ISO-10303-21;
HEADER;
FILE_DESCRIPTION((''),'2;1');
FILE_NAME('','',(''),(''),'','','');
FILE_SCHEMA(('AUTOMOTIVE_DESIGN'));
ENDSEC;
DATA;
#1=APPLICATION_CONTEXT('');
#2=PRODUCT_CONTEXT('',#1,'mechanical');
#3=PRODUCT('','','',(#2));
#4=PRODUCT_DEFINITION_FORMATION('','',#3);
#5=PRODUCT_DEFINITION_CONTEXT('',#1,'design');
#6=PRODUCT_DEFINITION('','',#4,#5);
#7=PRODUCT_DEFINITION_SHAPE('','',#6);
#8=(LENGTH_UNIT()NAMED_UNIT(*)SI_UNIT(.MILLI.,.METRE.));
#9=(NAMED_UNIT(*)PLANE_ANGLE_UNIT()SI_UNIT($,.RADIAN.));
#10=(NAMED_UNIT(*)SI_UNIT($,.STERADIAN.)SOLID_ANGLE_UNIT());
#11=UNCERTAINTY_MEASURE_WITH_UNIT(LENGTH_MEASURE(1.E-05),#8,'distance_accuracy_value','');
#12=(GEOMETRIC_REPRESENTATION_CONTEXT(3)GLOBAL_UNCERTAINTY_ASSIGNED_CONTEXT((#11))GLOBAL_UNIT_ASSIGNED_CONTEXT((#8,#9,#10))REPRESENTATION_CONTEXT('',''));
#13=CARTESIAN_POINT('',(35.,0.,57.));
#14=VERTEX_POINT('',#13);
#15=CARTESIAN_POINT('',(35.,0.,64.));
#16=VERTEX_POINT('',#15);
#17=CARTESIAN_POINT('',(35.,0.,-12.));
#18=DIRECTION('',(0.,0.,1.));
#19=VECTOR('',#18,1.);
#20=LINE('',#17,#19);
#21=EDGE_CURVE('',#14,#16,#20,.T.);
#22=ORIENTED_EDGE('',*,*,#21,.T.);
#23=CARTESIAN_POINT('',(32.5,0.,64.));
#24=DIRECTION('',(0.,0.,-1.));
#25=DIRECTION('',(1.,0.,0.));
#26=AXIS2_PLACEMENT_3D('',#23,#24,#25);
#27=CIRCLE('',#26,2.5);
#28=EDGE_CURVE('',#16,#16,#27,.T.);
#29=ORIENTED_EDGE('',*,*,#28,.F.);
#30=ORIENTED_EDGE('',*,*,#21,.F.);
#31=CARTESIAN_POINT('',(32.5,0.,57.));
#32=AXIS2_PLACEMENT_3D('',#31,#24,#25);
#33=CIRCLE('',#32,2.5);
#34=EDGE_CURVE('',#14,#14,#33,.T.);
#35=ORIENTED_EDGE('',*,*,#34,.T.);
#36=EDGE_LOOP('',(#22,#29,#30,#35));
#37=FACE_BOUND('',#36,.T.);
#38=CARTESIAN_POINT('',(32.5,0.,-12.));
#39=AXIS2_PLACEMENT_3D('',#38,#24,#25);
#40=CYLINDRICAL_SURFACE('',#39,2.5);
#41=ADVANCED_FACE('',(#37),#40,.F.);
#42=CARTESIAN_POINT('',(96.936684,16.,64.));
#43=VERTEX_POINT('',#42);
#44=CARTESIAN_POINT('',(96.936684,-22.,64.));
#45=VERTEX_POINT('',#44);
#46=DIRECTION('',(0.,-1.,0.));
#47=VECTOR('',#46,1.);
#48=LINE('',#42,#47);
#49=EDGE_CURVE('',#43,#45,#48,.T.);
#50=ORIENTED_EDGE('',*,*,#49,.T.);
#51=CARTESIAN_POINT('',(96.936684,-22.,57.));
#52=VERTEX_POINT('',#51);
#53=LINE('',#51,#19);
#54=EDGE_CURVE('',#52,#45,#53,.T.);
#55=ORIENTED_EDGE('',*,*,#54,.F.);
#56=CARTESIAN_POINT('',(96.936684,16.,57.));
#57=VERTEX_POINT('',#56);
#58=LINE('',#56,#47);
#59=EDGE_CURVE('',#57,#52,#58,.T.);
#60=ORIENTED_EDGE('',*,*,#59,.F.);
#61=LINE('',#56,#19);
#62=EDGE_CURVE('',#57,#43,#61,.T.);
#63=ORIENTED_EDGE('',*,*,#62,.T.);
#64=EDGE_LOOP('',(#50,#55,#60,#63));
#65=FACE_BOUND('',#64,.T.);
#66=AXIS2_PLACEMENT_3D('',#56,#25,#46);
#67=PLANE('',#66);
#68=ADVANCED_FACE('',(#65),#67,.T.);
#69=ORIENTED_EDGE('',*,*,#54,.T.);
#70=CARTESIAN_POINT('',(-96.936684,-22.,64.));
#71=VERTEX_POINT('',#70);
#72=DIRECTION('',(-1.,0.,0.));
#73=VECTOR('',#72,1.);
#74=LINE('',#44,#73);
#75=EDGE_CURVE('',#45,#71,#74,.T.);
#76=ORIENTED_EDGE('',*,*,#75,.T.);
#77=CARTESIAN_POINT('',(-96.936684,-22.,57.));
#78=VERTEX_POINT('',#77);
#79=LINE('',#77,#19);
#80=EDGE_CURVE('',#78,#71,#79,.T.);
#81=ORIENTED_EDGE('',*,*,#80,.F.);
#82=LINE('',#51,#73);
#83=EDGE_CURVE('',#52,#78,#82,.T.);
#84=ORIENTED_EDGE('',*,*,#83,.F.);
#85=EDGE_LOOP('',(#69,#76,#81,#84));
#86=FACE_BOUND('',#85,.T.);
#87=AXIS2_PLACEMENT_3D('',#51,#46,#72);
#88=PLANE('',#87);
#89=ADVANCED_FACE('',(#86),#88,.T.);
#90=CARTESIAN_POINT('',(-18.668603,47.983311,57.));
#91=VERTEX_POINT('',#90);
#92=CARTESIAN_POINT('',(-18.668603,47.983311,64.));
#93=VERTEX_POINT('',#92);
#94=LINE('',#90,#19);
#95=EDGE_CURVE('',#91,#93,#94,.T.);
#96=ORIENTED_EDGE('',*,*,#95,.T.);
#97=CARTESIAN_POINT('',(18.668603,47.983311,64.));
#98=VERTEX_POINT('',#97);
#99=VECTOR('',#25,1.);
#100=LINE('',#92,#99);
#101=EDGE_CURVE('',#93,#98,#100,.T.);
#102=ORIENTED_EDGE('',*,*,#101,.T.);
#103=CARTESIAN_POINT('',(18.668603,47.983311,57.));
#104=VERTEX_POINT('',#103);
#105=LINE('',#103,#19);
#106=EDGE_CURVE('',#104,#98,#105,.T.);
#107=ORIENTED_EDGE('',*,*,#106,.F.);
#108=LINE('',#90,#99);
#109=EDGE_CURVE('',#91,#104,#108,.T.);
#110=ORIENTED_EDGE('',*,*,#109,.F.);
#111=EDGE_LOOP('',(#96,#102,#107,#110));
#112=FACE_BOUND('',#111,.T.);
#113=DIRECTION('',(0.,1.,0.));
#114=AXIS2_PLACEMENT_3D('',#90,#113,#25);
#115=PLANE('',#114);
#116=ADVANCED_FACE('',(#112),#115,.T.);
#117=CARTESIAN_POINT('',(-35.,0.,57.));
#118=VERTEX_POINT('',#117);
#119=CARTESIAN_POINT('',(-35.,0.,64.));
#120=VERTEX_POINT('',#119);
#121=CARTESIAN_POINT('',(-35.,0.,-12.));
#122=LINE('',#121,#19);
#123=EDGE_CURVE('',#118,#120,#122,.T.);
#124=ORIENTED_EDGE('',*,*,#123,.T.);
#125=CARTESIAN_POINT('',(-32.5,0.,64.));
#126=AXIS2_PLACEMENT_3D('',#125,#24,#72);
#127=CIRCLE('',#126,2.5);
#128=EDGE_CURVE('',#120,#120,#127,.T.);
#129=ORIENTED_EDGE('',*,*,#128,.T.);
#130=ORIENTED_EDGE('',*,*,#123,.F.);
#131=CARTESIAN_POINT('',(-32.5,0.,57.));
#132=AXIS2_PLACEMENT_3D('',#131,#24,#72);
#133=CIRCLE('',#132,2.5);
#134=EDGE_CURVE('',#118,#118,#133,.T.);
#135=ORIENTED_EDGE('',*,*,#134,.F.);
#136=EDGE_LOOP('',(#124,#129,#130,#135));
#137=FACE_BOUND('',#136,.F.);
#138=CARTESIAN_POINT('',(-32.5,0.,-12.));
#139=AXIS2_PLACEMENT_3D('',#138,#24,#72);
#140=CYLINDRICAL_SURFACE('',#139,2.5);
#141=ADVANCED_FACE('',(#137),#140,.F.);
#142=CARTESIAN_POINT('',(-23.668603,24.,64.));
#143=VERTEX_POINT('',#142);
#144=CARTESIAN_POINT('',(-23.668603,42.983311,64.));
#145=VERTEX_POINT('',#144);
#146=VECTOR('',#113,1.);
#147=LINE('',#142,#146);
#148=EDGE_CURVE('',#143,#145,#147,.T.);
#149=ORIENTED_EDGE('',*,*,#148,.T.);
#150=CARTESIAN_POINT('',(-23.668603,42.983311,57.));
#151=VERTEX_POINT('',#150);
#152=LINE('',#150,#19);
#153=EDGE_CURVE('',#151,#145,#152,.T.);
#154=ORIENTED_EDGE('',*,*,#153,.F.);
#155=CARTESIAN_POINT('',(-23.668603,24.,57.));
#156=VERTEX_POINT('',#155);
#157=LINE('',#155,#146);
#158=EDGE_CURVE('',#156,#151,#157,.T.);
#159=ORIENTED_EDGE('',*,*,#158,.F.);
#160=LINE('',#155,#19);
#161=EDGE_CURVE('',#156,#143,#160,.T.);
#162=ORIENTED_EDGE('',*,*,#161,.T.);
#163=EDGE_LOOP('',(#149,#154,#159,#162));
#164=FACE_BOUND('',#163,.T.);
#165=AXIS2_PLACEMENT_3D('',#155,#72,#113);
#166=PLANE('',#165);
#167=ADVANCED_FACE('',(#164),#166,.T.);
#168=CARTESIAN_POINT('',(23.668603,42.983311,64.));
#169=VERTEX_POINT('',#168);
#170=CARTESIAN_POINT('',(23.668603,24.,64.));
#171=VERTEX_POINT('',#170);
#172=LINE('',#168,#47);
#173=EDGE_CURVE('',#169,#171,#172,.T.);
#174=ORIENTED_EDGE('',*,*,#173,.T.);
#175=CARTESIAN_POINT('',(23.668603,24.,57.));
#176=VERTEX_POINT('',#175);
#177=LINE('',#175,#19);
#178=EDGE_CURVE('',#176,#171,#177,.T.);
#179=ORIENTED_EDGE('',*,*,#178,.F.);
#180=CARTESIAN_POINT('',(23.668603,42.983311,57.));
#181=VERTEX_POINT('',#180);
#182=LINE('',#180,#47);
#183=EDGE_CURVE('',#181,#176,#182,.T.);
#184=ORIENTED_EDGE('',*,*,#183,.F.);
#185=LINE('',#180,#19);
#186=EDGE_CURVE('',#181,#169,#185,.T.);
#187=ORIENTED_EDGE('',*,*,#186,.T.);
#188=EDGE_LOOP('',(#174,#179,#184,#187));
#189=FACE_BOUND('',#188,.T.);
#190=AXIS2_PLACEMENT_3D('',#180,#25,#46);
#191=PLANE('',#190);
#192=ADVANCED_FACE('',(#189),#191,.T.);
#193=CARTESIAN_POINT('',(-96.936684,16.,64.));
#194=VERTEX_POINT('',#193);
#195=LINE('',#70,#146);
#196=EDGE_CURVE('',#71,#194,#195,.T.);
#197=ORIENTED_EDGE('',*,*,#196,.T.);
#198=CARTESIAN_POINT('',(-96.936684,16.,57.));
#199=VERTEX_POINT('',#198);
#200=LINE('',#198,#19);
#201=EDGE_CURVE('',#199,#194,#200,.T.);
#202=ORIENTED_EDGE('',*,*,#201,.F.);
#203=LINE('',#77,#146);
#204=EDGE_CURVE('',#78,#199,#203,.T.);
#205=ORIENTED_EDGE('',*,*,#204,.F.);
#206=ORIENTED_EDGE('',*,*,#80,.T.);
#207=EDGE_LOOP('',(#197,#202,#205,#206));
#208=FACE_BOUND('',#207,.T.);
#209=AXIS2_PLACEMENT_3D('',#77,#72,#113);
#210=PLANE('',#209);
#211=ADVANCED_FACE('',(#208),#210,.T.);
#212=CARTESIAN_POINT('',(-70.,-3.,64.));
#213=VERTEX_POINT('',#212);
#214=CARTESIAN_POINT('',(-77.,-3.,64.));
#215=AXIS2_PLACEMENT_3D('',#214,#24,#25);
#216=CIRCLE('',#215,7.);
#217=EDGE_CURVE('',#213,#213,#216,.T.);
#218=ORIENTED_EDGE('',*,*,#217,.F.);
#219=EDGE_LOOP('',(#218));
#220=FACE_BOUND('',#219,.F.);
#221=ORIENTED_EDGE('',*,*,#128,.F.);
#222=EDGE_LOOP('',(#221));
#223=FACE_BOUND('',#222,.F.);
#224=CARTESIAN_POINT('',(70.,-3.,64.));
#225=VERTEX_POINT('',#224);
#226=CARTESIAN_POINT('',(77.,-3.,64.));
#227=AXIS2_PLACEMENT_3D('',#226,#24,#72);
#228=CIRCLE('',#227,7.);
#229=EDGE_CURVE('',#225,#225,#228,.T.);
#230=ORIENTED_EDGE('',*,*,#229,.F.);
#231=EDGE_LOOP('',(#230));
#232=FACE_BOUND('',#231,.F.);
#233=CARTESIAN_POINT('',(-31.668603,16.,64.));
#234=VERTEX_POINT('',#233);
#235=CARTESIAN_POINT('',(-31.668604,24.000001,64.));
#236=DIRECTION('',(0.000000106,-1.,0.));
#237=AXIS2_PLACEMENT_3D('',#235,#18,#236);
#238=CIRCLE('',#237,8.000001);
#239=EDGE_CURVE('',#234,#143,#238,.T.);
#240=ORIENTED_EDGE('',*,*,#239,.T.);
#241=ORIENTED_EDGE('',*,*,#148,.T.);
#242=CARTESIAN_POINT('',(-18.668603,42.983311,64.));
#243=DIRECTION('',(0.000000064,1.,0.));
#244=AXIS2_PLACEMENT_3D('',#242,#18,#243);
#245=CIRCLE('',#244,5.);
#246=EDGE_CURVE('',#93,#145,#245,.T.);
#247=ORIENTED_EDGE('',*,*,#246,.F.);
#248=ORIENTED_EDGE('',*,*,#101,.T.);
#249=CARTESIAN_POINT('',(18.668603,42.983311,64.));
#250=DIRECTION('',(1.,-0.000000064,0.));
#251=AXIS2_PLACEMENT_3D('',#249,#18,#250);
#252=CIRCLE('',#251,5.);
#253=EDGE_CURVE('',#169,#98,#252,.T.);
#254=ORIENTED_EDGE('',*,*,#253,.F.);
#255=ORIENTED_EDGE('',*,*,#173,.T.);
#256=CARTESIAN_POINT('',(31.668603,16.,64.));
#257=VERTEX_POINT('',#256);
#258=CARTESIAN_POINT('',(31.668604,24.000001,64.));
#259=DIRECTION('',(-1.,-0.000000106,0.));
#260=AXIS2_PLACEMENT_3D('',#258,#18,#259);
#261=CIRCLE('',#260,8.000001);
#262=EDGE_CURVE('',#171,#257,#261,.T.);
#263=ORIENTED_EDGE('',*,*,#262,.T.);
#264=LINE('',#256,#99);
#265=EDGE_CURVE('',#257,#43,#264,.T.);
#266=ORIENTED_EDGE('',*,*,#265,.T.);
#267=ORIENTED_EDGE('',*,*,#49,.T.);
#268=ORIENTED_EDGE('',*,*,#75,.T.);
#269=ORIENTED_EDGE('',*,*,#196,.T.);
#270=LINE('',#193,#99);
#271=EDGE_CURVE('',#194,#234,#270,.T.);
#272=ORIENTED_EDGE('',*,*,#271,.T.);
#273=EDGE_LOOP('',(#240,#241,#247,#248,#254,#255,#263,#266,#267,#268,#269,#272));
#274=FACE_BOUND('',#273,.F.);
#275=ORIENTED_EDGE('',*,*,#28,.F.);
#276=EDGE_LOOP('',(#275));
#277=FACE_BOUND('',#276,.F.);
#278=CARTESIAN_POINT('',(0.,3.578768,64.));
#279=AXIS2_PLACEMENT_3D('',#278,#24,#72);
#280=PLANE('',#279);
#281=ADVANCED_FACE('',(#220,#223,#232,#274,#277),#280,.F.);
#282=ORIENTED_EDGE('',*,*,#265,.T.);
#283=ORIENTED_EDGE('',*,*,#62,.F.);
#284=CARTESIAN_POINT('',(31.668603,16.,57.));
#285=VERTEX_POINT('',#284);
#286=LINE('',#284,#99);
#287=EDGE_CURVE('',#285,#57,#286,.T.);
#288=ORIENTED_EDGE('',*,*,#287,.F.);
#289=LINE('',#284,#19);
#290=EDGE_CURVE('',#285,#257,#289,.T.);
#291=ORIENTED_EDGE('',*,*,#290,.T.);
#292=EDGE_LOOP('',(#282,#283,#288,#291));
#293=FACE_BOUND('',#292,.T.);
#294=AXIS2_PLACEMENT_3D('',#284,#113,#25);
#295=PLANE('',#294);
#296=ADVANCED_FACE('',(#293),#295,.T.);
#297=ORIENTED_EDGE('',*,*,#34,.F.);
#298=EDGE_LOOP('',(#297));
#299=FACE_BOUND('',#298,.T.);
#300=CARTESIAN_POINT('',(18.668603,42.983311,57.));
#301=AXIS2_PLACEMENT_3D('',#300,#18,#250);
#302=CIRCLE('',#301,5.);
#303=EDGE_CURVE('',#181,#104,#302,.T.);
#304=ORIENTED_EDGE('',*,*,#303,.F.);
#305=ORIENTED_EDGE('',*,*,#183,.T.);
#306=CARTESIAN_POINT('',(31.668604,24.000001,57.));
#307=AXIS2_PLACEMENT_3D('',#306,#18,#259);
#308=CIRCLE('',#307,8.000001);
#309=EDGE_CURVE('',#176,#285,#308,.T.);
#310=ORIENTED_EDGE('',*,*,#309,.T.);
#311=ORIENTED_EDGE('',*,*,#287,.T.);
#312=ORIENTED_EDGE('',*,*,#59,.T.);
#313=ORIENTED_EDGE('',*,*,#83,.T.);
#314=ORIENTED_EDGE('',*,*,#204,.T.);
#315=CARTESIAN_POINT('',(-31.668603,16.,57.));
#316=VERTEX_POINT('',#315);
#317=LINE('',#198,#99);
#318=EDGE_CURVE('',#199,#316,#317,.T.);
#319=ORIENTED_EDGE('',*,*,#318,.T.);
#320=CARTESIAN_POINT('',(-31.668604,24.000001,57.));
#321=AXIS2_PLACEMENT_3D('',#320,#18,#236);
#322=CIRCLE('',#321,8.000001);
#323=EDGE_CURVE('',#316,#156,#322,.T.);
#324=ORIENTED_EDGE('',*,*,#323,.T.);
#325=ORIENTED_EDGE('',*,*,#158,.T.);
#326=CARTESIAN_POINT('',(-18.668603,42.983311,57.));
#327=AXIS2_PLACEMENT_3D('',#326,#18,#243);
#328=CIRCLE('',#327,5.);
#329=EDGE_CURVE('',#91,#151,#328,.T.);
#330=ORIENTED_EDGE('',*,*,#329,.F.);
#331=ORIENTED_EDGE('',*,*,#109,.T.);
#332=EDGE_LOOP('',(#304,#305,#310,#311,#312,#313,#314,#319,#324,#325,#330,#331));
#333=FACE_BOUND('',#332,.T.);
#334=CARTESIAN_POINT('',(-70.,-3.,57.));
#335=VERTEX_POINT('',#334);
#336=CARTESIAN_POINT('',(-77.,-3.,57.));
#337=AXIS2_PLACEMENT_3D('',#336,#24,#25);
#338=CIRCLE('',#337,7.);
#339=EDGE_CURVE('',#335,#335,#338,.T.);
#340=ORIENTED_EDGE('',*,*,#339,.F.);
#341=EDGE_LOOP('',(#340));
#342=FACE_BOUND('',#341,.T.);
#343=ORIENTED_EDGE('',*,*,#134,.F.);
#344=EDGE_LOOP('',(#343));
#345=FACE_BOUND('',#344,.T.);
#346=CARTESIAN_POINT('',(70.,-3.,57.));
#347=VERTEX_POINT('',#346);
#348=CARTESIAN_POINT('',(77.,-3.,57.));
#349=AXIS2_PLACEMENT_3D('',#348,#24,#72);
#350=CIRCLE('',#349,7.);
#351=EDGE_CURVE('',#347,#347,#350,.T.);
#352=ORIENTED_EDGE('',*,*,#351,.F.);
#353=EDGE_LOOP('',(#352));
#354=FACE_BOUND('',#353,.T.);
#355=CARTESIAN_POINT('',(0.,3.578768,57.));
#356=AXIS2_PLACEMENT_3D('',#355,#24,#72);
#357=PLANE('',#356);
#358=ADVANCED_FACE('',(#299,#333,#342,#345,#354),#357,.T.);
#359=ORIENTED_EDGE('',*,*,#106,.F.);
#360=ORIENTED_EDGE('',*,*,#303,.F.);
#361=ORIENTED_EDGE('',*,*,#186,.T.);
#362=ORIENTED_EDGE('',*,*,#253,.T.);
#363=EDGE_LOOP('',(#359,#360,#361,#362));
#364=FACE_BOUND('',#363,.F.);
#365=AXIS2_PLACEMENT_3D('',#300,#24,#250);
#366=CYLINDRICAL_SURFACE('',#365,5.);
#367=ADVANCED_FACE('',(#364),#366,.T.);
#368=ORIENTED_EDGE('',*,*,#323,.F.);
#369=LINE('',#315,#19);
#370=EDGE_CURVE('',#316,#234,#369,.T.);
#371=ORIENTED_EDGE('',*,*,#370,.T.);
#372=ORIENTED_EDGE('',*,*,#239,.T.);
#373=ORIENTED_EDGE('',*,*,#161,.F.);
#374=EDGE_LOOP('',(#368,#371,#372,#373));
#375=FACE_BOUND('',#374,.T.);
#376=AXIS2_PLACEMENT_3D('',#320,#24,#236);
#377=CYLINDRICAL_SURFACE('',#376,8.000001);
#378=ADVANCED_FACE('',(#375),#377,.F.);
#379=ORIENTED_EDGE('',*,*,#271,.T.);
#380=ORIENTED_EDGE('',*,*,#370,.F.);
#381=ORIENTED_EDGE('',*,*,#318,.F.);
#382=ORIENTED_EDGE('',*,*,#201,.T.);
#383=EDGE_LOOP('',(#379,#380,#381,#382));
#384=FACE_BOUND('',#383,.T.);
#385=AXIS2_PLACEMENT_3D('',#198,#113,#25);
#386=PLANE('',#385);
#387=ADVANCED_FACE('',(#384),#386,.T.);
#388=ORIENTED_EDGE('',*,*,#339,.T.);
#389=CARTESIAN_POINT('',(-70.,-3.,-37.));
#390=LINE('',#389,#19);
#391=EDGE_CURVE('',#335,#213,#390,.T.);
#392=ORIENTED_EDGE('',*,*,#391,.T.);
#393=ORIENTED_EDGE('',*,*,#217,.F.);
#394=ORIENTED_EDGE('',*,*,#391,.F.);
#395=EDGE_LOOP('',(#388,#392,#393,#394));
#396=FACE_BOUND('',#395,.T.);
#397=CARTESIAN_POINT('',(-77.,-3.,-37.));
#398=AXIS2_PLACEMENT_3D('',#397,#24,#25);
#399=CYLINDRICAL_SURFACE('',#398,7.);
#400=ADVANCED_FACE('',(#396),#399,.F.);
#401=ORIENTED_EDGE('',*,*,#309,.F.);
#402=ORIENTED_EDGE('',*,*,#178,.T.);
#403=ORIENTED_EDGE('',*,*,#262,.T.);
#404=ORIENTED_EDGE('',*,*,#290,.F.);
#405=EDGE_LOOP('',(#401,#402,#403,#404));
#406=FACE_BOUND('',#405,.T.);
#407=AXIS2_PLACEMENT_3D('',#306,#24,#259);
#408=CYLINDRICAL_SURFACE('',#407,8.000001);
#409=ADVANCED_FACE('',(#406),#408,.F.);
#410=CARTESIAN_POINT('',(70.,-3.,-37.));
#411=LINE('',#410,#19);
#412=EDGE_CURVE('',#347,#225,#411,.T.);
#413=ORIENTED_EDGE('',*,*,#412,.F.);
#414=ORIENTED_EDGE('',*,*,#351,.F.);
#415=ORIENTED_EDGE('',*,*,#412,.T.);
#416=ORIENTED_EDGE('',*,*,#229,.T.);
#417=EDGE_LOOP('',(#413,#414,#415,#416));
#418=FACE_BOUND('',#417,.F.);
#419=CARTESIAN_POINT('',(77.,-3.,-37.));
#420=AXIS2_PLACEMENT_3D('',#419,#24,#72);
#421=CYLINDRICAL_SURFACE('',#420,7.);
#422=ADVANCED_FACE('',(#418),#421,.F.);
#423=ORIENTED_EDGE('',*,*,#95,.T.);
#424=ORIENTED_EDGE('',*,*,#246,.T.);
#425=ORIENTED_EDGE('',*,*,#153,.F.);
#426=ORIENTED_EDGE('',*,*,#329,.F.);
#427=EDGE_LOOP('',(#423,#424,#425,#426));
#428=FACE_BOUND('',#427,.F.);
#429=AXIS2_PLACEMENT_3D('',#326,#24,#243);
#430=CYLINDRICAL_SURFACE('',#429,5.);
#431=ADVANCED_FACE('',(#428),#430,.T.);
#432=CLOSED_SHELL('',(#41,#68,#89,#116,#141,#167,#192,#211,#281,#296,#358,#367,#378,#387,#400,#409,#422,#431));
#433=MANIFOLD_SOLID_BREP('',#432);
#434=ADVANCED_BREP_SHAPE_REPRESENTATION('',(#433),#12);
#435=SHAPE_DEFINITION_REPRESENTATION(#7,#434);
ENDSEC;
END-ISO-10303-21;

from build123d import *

# Parameters (mm, degrees)
CYLINDER005_R     = 2.5
CYLINDER005_DEPTH = 90
CYLINDER004_R     = 7
CYLINDER004_DEPTH = 150
CYLINDER003_R     = 11
CYLINDER003_DEPTH = 31
PAD010_DEPTH      = 7


with BuildPart() as vis_d:
    # Cylinder005 → Cylinder005 (new body)
    with BuildSketch(Plane(origin=(32.5, 0, -12), x_dir=(1, 0, 0), z_dir=(0, 0, 1))):
        Circle(CYLINDER005_R)
    extrude(amount=CYLINDER005_DEPTH)


with BuildPart() as vis:
    # Part__Mirroring003: instance of vis_d
    add(vis_d.part.mirror(Plane(origin=(0, 0, 0), x_dir=(0, -1, 0), z_dir=(1, 0, 0))))

    # Fusion005: union vis_d
    add(vis_d.part)


with BuildPart() as axe:
    # Cylinder004 → Cylinder004 (new body)
    with BuildSketch(Plane.XY.offset(-50)):
        Circle(CYLINDER004_R)
    extrude(amount=CYLINDER004_DEPTH)


with BuildPart() as clone_of_ball_slider:
    # Cylinder003 → Cylinder003 (new body)
    with BuildSketch(Plane.XY):
        Circle(CYLINDER003_R)
    extrude(amount=CYLINDER003_DEPTH)

    # Fusion003: union axe
    add(axe.part)


with BuildPart() as clone_of_ball_slider_1:
    # Clone017 placement: moved
    add(clone_of_ball_slider.part.moved(Location((-77, -3, 13))))


with BuildPart() as part_mirroring002:
    # Part__Mirroring002: instance of Clone of ball slider
    add(clone_of_ball_slider_1.part.mirror(Plane(origin=(0, 0, 0), x_dir=(0, -1, 0), z_dir=(1, 0, 0))))


with BuildPart() as vis_sliders:
    # Fusion004 base: copy of Clone of ball slider
    add(clone_of_ball_slider_1.part)

    # Fusion004: union Part__Mirroring002
    add(part_mirroring002.part)

    # Fusion006: union vis
    add(vis.part)


with BuildPart() as cut006007:
    # Sketch → Pad010 (new body)
    with BuildSketch(Plane.XY.offset(25)):
        with BuildLine():
            Line((96.936684, 16), (96.936684, -22))
            Line((96.936684, -22), (-96.936684, -22))
            Line((-96.936684, -22), (-96.936684, 16))
            Line((-96.936684, 16), (-31.668603, 16))
            ThreePointArc((-31.668603, 16), (-26.011749, 18.343146), (-23.668603, 24))
            Line((-23.668603, 24), (-23.668603, 42.983311))
            ThreePointArc((-18.668603, 47.983311), (-22.204137, 46.518845), (-23.668603, 42.983311))
            Line((-18.668603, 47.983311), (18.668603, 47.983311))
            ThreePointArc((23.668603, 42.983311), (22.204137, 46.518845), (18.668603, 47.983311))
            Line((23.668603, 42.983311), (23.668603, 24))
            ThreePointArc((23.668603, 24), (26.011749, 18.343146), (31.668603, 16))
            Line((31.668603, 16), (96.936684, 16))
        make_face()
    extrude(amount=PAD010_DEPTH)


with BuildPart() as cut006007_1:
    # Clone015 placement: moved
    add(cut006007.part.moved(Location((0, 0, 32))))

    # Cut006007: cut vis sliders
    add(vis_sliders.part, mode=Mode.SUBTRACT)


solid = cut006007_1.part
